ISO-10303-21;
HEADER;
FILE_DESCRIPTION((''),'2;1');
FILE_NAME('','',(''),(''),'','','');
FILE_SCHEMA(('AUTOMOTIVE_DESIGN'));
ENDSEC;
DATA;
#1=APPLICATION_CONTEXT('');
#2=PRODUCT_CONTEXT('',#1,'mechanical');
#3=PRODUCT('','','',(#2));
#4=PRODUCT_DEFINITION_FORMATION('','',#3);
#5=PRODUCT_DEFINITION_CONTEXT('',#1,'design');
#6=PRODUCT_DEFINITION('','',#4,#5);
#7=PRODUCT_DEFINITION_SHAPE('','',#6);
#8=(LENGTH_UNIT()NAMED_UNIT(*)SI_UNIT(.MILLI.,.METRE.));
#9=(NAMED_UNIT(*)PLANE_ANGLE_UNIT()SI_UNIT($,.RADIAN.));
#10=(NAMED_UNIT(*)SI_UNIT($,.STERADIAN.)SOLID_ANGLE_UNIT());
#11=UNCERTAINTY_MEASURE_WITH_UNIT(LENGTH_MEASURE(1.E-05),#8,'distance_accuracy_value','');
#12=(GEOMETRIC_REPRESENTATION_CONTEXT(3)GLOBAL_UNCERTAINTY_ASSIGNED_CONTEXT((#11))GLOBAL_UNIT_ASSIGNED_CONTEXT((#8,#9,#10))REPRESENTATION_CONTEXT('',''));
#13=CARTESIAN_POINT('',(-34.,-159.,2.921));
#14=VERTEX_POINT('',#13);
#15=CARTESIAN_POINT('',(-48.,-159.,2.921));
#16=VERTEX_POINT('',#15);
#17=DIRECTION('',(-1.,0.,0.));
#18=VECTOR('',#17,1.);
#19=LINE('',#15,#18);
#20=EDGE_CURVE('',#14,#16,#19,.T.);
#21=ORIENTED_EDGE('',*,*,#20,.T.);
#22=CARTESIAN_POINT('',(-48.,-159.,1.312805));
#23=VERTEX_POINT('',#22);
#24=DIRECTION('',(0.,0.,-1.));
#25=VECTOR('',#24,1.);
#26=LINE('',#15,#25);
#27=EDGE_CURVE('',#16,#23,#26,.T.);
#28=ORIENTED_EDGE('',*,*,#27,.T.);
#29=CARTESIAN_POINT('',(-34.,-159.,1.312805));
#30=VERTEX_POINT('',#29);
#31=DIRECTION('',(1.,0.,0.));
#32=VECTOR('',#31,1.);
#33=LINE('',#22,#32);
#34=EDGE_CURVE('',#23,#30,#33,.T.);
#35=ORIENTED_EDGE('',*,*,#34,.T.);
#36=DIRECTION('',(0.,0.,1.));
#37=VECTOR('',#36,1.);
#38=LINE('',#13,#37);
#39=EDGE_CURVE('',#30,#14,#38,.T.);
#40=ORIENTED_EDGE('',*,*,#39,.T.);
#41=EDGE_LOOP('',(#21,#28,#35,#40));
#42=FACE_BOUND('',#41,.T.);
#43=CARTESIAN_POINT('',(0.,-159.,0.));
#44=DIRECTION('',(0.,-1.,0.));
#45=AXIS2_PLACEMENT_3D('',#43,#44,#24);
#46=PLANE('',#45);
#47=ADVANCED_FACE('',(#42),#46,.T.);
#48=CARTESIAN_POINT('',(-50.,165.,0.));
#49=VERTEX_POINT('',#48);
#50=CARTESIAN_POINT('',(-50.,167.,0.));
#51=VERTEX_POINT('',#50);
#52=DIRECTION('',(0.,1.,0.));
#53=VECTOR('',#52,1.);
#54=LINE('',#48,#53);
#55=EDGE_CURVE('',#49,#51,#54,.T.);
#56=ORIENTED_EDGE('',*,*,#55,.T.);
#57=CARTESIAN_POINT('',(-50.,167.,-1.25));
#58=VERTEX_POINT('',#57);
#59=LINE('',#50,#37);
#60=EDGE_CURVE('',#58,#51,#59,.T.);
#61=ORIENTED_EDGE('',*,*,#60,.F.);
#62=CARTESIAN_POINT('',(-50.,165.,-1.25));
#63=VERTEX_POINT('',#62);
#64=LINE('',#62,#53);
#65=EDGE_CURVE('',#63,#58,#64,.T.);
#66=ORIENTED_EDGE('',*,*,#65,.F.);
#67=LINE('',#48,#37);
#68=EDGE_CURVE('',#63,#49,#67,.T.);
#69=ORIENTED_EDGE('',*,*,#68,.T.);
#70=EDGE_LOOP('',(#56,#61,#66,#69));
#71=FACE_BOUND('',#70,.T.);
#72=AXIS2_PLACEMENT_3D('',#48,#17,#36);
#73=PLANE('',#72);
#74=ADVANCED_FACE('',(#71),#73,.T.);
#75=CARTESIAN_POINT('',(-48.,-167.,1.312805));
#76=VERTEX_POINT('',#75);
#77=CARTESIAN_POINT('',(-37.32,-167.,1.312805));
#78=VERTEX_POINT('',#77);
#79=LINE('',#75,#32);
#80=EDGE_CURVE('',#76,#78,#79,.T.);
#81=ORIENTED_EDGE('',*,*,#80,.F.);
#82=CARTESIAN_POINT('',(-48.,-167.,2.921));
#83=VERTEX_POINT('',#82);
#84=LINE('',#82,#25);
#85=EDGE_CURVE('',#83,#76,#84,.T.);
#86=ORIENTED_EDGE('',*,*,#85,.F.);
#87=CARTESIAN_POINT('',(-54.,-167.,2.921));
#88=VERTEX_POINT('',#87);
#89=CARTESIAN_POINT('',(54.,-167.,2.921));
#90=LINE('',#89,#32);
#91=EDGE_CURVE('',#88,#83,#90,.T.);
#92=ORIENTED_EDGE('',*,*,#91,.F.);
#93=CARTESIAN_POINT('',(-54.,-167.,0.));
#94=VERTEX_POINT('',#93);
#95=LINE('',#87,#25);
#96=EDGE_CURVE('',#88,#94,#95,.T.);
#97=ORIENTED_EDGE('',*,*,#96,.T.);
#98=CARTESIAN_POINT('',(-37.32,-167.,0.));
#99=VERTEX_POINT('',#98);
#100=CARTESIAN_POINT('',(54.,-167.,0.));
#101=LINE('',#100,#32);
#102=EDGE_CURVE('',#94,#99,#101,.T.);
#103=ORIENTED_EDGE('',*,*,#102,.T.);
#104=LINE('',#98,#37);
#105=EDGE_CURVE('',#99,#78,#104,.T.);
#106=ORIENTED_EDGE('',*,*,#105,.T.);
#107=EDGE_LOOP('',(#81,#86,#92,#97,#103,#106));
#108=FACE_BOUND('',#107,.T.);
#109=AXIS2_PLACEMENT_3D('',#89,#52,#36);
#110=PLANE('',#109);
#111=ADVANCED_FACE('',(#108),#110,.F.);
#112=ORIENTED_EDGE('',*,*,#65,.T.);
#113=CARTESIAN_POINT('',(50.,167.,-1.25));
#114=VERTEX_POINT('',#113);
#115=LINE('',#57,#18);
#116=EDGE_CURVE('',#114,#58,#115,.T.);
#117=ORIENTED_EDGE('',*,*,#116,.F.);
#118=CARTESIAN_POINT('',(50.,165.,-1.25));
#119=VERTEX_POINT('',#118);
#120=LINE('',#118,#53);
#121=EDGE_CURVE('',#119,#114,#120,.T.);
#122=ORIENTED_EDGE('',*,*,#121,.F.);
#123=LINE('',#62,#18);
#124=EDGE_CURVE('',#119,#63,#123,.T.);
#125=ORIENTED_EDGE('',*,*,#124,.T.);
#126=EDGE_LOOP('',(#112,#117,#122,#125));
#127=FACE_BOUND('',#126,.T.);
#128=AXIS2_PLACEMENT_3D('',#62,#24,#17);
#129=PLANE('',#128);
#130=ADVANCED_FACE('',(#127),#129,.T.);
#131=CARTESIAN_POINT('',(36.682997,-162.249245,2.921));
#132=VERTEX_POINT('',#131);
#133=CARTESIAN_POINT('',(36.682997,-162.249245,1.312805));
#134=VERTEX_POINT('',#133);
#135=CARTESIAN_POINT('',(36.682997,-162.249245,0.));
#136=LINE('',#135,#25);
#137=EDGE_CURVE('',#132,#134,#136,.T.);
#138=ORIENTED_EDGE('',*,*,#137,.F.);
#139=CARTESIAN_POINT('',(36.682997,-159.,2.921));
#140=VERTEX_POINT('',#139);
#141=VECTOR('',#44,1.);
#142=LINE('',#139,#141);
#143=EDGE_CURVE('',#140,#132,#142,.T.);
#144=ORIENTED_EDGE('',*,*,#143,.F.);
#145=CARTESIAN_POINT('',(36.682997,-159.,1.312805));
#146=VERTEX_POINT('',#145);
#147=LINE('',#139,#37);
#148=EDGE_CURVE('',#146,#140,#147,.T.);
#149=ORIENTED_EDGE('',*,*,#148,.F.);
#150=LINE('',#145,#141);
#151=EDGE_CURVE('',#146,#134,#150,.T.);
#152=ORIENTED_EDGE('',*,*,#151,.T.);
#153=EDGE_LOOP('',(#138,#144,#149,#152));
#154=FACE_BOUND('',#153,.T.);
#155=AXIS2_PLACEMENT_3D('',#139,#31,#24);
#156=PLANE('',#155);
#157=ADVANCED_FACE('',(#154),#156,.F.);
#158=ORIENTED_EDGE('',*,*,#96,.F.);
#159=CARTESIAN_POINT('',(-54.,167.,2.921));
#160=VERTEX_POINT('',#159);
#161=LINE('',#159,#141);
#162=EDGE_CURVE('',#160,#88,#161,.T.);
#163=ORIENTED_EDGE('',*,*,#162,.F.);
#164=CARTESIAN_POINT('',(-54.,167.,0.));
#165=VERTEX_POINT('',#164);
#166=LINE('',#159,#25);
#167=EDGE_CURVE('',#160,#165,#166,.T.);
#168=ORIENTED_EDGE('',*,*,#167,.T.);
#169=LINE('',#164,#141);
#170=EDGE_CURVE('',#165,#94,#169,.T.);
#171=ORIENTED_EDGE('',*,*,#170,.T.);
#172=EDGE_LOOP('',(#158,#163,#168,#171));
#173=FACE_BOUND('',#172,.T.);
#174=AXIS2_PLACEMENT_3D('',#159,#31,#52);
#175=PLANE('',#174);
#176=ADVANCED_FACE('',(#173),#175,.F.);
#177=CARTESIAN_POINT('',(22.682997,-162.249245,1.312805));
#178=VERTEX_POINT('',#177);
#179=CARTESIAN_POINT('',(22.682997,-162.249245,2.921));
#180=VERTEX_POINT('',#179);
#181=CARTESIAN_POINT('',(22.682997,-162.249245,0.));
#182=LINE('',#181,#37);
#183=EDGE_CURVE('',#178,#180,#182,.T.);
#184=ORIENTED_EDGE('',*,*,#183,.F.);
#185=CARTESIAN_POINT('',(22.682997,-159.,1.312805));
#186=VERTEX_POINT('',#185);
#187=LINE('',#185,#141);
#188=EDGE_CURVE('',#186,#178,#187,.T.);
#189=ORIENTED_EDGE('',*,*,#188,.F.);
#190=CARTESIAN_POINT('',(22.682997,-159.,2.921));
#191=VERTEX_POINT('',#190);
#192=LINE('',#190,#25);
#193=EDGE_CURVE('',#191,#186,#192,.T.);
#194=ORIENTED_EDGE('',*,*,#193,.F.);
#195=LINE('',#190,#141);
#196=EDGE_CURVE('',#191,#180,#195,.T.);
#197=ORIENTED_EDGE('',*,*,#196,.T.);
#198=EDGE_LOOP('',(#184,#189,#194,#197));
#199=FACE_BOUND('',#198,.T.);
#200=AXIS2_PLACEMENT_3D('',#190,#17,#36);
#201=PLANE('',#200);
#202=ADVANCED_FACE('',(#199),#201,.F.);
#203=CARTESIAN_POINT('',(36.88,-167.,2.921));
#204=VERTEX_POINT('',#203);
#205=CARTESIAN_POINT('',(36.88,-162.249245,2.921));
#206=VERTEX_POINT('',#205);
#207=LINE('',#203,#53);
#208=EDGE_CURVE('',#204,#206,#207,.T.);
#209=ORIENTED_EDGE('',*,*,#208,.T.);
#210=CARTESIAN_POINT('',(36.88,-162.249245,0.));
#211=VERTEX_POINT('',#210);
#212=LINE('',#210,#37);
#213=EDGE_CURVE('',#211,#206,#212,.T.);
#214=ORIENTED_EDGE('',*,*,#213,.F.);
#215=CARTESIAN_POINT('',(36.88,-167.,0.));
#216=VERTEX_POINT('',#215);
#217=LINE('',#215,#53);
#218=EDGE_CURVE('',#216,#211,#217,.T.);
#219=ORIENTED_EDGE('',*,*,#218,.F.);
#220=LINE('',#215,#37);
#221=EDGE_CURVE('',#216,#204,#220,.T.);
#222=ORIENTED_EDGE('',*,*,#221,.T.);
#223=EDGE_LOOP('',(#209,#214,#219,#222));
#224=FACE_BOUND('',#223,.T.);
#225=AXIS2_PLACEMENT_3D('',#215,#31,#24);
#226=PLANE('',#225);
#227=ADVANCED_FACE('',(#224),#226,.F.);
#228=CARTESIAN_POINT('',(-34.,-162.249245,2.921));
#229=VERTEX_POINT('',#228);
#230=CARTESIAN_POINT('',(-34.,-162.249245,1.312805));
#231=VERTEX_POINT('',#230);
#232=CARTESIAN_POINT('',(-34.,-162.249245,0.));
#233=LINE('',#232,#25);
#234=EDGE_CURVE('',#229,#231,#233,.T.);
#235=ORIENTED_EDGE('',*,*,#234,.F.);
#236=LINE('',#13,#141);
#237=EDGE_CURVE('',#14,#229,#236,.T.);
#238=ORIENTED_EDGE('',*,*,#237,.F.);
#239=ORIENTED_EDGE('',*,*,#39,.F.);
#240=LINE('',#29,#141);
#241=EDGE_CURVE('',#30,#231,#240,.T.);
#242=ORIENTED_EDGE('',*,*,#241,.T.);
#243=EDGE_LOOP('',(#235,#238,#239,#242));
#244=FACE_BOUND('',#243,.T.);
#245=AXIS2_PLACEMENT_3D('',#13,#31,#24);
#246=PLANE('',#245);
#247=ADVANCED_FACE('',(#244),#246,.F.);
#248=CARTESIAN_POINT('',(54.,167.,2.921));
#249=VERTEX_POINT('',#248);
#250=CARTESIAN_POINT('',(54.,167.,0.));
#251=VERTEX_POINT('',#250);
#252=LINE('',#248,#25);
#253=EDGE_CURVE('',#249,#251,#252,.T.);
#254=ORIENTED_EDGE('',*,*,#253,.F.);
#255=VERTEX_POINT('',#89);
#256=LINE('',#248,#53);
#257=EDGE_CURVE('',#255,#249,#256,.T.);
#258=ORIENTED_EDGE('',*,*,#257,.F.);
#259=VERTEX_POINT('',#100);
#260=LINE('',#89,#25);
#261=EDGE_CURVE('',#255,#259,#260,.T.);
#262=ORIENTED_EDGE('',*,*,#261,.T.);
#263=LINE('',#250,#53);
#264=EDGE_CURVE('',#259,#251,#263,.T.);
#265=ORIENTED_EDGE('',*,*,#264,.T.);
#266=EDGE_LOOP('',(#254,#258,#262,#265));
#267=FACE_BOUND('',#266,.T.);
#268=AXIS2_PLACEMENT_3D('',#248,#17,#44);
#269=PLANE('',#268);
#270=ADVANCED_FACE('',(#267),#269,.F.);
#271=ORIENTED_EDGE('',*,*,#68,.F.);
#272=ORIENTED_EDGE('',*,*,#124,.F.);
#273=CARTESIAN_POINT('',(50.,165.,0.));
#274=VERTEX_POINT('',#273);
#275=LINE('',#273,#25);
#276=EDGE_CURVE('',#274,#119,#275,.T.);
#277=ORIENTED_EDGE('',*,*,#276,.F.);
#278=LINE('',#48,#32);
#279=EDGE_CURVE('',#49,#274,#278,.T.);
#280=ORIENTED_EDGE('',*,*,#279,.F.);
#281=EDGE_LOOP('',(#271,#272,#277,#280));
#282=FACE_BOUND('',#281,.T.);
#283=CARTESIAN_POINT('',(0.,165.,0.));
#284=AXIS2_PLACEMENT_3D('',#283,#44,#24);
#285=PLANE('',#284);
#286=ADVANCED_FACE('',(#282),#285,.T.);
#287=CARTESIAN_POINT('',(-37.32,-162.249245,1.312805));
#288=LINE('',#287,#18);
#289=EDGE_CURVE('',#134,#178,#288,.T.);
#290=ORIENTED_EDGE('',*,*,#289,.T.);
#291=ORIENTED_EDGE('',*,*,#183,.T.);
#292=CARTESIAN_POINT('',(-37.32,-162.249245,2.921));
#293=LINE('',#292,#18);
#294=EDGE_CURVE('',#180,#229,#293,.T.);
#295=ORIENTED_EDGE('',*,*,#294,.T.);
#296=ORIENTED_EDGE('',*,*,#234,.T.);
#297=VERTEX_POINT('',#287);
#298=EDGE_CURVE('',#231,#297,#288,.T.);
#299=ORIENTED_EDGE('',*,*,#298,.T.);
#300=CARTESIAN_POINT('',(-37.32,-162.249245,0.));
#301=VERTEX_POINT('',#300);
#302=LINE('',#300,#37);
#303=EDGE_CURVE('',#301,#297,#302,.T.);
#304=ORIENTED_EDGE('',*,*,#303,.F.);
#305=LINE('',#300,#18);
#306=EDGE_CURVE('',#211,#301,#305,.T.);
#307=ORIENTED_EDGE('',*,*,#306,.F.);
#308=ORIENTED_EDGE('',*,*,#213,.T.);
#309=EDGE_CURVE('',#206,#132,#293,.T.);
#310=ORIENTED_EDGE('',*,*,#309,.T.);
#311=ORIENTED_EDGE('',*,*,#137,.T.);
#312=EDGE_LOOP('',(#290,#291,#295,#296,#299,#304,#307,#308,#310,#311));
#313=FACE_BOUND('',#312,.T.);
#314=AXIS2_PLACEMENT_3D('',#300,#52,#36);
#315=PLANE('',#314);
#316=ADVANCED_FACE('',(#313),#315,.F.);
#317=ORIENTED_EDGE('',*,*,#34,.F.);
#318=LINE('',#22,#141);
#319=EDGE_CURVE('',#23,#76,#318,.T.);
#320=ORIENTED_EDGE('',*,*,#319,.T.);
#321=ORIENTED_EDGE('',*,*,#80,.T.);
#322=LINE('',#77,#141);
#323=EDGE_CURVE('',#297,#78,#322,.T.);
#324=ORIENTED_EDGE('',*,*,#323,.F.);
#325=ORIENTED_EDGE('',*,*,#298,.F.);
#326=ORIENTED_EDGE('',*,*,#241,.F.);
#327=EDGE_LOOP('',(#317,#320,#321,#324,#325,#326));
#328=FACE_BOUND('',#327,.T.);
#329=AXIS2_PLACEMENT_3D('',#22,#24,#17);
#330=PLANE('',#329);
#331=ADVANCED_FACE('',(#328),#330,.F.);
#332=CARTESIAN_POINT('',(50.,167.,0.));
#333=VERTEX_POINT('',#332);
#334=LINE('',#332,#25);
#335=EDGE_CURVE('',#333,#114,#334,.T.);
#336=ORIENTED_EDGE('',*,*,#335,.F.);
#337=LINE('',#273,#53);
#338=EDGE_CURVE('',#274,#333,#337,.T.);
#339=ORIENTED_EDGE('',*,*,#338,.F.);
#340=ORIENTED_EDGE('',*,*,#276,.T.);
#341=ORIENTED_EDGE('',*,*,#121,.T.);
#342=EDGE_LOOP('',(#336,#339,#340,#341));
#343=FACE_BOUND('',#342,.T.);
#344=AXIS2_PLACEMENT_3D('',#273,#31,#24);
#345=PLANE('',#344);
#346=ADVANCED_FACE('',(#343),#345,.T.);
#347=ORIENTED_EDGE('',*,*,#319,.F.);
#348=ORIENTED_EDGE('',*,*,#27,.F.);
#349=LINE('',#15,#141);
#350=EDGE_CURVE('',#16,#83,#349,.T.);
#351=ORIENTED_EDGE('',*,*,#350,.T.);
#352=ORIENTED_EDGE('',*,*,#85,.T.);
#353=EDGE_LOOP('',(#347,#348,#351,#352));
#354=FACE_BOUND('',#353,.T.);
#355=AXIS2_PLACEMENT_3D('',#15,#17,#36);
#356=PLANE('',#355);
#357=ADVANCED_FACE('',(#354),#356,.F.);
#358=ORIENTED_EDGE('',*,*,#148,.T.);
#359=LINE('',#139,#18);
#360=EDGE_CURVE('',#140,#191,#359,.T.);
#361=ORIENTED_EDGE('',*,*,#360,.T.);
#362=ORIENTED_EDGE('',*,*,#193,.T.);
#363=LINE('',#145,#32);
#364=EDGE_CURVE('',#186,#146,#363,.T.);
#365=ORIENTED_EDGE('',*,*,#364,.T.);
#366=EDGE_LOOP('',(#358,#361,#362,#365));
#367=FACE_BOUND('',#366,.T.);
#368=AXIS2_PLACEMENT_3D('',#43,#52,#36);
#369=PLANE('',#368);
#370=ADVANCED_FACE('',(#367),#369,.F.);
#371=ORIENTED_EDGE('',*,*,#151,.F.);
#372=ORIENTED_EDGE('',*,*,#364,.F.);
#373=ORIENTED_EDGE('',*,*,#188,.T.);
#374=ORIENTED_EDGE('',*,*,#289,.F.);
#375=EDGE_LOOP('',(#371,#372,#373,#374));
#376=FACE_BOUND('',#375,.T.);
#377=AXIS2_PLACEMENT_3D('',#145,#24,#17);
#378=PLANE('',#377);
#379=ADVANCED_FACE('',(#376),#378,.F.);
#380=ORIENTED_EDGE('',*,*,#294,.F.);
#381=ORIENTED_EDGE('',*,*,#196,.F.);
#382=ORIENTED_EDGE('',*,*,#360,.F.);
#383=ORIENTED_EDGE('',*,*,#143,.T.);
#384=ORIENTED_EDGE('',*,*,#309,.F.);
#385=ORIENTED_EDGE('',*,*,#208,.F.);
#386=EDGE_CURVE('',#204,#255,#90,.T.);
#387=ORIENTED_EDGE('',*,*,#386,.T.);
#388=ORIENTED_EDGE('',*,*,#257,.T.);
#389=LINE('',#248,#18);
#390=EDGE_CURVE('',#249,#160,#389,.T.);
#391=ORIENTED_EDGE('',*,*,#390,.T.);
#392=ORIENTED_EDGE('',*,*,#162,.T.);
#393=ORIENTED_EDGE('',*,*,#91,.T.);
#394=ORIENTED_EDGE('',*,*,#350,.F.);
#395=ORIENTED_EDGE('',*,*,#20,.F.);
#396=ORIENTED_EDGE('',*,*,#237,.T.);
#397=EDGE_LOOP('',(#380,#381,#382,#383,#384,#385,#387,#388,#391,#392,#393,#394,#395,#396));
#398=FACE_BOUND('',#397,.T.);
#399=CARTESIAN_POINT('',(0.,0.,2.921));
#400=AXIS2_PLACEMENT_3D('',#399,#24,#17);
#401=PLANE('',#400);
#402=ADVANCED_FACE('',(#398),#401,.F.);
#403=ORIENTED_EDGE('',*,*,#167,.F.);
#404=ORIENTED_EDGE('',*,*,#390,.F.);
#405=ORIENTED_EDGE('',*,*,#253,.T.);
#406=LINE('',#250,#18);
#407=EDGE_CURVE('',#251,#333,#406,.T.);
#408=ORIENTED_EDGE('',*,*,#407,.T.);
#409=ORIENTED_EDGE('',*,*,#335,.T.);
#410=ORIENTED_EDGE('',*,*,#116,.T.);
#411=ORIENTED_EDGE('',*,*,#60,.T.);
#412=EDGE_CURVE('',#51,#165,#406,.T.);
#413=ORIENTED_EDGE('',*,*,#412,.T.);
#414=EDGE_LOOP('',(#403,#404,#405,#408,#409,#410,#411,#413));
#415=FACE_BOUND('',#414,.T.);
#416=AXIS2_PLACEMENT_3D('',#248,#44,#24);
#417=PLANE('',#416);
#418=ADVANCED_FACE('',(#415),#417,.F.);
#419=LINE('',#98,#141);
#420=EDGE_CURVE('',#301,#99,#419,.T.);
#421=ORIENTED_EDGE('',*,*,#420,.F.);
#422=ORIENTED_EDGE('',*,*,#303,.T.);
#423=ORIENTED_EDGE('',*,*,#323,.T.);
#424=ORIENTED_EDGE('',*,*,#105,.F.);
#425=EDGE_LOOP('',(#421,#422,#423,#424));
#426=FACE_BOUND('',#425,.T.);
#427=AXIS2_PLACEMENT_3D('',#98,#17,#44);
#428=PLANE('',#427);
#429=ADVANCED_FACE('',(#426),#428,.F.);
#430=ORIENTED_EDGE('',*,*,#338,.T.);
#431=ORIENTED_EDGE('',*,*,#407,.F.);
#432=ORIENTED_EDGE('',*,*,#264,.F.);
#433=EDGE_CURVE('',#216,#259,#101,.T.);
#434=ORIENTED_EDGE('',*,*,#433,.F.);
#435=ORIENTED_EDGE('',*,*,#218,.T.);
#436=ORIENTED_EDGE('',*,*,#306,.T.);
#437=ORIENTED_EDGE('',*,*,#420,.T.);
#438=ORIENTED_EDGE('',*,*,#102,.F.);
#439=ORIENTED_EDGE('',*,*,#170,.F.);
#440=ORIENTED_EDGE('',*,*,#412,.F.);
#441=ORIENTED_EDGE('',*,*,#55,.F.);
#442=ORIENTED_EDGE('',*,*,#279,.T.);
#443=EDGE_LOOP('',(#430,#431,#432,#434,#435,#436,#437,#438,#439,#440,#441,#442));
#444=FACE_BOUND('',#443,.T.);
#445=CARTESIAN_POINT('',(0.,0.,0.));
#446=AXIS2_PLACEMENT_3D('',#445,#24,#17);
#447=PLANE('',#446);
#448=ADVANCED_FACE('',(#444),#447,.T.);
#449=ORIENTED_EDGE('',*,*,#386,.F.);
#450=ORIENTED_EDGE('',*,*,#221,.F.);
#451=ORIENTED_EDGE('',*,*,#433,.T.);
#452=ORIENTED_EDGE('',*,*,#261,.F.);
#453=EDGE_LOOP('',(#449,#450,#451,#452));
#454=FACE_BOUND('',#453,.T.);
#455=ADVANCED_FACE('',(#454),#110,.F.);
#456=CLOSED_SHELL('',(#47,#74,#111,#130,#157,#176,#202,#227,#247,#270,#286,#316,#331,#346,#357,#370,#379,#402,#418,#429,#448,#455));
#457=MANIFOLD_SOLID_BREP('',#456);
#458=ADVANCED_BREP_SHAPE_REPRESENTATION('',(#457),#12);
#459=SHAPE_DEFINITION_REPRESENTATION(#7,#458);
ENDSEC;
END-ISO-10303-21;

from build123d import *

# Parameters (mm, degrees)
SKETCH1_W           = 108
SKETCH1_H           = 334
BOSS_EXTRUDE1_DEPTH = 2.921
SKETCH2_W           = 74.2
SKETCH2_H           = 4.75075517
CUT_EXTRUDE1_DEPTH  = 176.537837064
SKETCH3_W           = 14
SKETCH3_H           = 1.608195067
CUT_EXTRUDE2_DEPTH  = 8
SKETCH4_W           = 100
SKETCH4_H           = 1.25
BOSS_EXTRUDE2_DEPTH = 2


with BuildPart() as part:
    # Sketch1 → Boss-Extrude1 (new body)
    with BuildSketch(Plane.XY):
        Rectangle(SKETCH1_W, SKETCH1_H)
    extrude(amount=BOSS_EXTRUDE1_DEPTH)

    # Sketch2 → Cut-Extrude1 (cut, through all)
    with BuildSketch(Plane.XY.offset(2.921)):
        with Locations((-0.22, -164.624622415)):
            Rectangle(SKETCH2_W, SKETCH2_H)
    extrude(amount=-CUT_EXTRUDE1_DEPTH, mode=Mode.SUBTRACT)

    # Sketch3 → Cut-Extrude2 (cut)
    with BuildSketch(Plane.XZ.offset(167)):
        with Locations((29.682997172, 2.116902467)):
            Rectangle(SKETCH3_W, SKETCH3_H)
        with Locations((-41, 2.116902467)):
            Rectangle(SKETCH3_W, SKETCH3_H)
    extrude(amount=-CUT_EXTRUDE2_DEPTH, mode=Mode.SUBTRACT)

    # Sketch4 → Boss-Extrude2 (add)
    with BuildSketch(Plane(origin=(0, 167, 0), x_dir=(1, 0, 0), z_dir=(0, 1, 0))):
        with Locations((0, 0.625)):
            Rectangle(SKETCH4_W, SKETCH4_H)
    extrude(amount=-BOSS_EXTRUDE2_DEPTH)


solid = part.part
